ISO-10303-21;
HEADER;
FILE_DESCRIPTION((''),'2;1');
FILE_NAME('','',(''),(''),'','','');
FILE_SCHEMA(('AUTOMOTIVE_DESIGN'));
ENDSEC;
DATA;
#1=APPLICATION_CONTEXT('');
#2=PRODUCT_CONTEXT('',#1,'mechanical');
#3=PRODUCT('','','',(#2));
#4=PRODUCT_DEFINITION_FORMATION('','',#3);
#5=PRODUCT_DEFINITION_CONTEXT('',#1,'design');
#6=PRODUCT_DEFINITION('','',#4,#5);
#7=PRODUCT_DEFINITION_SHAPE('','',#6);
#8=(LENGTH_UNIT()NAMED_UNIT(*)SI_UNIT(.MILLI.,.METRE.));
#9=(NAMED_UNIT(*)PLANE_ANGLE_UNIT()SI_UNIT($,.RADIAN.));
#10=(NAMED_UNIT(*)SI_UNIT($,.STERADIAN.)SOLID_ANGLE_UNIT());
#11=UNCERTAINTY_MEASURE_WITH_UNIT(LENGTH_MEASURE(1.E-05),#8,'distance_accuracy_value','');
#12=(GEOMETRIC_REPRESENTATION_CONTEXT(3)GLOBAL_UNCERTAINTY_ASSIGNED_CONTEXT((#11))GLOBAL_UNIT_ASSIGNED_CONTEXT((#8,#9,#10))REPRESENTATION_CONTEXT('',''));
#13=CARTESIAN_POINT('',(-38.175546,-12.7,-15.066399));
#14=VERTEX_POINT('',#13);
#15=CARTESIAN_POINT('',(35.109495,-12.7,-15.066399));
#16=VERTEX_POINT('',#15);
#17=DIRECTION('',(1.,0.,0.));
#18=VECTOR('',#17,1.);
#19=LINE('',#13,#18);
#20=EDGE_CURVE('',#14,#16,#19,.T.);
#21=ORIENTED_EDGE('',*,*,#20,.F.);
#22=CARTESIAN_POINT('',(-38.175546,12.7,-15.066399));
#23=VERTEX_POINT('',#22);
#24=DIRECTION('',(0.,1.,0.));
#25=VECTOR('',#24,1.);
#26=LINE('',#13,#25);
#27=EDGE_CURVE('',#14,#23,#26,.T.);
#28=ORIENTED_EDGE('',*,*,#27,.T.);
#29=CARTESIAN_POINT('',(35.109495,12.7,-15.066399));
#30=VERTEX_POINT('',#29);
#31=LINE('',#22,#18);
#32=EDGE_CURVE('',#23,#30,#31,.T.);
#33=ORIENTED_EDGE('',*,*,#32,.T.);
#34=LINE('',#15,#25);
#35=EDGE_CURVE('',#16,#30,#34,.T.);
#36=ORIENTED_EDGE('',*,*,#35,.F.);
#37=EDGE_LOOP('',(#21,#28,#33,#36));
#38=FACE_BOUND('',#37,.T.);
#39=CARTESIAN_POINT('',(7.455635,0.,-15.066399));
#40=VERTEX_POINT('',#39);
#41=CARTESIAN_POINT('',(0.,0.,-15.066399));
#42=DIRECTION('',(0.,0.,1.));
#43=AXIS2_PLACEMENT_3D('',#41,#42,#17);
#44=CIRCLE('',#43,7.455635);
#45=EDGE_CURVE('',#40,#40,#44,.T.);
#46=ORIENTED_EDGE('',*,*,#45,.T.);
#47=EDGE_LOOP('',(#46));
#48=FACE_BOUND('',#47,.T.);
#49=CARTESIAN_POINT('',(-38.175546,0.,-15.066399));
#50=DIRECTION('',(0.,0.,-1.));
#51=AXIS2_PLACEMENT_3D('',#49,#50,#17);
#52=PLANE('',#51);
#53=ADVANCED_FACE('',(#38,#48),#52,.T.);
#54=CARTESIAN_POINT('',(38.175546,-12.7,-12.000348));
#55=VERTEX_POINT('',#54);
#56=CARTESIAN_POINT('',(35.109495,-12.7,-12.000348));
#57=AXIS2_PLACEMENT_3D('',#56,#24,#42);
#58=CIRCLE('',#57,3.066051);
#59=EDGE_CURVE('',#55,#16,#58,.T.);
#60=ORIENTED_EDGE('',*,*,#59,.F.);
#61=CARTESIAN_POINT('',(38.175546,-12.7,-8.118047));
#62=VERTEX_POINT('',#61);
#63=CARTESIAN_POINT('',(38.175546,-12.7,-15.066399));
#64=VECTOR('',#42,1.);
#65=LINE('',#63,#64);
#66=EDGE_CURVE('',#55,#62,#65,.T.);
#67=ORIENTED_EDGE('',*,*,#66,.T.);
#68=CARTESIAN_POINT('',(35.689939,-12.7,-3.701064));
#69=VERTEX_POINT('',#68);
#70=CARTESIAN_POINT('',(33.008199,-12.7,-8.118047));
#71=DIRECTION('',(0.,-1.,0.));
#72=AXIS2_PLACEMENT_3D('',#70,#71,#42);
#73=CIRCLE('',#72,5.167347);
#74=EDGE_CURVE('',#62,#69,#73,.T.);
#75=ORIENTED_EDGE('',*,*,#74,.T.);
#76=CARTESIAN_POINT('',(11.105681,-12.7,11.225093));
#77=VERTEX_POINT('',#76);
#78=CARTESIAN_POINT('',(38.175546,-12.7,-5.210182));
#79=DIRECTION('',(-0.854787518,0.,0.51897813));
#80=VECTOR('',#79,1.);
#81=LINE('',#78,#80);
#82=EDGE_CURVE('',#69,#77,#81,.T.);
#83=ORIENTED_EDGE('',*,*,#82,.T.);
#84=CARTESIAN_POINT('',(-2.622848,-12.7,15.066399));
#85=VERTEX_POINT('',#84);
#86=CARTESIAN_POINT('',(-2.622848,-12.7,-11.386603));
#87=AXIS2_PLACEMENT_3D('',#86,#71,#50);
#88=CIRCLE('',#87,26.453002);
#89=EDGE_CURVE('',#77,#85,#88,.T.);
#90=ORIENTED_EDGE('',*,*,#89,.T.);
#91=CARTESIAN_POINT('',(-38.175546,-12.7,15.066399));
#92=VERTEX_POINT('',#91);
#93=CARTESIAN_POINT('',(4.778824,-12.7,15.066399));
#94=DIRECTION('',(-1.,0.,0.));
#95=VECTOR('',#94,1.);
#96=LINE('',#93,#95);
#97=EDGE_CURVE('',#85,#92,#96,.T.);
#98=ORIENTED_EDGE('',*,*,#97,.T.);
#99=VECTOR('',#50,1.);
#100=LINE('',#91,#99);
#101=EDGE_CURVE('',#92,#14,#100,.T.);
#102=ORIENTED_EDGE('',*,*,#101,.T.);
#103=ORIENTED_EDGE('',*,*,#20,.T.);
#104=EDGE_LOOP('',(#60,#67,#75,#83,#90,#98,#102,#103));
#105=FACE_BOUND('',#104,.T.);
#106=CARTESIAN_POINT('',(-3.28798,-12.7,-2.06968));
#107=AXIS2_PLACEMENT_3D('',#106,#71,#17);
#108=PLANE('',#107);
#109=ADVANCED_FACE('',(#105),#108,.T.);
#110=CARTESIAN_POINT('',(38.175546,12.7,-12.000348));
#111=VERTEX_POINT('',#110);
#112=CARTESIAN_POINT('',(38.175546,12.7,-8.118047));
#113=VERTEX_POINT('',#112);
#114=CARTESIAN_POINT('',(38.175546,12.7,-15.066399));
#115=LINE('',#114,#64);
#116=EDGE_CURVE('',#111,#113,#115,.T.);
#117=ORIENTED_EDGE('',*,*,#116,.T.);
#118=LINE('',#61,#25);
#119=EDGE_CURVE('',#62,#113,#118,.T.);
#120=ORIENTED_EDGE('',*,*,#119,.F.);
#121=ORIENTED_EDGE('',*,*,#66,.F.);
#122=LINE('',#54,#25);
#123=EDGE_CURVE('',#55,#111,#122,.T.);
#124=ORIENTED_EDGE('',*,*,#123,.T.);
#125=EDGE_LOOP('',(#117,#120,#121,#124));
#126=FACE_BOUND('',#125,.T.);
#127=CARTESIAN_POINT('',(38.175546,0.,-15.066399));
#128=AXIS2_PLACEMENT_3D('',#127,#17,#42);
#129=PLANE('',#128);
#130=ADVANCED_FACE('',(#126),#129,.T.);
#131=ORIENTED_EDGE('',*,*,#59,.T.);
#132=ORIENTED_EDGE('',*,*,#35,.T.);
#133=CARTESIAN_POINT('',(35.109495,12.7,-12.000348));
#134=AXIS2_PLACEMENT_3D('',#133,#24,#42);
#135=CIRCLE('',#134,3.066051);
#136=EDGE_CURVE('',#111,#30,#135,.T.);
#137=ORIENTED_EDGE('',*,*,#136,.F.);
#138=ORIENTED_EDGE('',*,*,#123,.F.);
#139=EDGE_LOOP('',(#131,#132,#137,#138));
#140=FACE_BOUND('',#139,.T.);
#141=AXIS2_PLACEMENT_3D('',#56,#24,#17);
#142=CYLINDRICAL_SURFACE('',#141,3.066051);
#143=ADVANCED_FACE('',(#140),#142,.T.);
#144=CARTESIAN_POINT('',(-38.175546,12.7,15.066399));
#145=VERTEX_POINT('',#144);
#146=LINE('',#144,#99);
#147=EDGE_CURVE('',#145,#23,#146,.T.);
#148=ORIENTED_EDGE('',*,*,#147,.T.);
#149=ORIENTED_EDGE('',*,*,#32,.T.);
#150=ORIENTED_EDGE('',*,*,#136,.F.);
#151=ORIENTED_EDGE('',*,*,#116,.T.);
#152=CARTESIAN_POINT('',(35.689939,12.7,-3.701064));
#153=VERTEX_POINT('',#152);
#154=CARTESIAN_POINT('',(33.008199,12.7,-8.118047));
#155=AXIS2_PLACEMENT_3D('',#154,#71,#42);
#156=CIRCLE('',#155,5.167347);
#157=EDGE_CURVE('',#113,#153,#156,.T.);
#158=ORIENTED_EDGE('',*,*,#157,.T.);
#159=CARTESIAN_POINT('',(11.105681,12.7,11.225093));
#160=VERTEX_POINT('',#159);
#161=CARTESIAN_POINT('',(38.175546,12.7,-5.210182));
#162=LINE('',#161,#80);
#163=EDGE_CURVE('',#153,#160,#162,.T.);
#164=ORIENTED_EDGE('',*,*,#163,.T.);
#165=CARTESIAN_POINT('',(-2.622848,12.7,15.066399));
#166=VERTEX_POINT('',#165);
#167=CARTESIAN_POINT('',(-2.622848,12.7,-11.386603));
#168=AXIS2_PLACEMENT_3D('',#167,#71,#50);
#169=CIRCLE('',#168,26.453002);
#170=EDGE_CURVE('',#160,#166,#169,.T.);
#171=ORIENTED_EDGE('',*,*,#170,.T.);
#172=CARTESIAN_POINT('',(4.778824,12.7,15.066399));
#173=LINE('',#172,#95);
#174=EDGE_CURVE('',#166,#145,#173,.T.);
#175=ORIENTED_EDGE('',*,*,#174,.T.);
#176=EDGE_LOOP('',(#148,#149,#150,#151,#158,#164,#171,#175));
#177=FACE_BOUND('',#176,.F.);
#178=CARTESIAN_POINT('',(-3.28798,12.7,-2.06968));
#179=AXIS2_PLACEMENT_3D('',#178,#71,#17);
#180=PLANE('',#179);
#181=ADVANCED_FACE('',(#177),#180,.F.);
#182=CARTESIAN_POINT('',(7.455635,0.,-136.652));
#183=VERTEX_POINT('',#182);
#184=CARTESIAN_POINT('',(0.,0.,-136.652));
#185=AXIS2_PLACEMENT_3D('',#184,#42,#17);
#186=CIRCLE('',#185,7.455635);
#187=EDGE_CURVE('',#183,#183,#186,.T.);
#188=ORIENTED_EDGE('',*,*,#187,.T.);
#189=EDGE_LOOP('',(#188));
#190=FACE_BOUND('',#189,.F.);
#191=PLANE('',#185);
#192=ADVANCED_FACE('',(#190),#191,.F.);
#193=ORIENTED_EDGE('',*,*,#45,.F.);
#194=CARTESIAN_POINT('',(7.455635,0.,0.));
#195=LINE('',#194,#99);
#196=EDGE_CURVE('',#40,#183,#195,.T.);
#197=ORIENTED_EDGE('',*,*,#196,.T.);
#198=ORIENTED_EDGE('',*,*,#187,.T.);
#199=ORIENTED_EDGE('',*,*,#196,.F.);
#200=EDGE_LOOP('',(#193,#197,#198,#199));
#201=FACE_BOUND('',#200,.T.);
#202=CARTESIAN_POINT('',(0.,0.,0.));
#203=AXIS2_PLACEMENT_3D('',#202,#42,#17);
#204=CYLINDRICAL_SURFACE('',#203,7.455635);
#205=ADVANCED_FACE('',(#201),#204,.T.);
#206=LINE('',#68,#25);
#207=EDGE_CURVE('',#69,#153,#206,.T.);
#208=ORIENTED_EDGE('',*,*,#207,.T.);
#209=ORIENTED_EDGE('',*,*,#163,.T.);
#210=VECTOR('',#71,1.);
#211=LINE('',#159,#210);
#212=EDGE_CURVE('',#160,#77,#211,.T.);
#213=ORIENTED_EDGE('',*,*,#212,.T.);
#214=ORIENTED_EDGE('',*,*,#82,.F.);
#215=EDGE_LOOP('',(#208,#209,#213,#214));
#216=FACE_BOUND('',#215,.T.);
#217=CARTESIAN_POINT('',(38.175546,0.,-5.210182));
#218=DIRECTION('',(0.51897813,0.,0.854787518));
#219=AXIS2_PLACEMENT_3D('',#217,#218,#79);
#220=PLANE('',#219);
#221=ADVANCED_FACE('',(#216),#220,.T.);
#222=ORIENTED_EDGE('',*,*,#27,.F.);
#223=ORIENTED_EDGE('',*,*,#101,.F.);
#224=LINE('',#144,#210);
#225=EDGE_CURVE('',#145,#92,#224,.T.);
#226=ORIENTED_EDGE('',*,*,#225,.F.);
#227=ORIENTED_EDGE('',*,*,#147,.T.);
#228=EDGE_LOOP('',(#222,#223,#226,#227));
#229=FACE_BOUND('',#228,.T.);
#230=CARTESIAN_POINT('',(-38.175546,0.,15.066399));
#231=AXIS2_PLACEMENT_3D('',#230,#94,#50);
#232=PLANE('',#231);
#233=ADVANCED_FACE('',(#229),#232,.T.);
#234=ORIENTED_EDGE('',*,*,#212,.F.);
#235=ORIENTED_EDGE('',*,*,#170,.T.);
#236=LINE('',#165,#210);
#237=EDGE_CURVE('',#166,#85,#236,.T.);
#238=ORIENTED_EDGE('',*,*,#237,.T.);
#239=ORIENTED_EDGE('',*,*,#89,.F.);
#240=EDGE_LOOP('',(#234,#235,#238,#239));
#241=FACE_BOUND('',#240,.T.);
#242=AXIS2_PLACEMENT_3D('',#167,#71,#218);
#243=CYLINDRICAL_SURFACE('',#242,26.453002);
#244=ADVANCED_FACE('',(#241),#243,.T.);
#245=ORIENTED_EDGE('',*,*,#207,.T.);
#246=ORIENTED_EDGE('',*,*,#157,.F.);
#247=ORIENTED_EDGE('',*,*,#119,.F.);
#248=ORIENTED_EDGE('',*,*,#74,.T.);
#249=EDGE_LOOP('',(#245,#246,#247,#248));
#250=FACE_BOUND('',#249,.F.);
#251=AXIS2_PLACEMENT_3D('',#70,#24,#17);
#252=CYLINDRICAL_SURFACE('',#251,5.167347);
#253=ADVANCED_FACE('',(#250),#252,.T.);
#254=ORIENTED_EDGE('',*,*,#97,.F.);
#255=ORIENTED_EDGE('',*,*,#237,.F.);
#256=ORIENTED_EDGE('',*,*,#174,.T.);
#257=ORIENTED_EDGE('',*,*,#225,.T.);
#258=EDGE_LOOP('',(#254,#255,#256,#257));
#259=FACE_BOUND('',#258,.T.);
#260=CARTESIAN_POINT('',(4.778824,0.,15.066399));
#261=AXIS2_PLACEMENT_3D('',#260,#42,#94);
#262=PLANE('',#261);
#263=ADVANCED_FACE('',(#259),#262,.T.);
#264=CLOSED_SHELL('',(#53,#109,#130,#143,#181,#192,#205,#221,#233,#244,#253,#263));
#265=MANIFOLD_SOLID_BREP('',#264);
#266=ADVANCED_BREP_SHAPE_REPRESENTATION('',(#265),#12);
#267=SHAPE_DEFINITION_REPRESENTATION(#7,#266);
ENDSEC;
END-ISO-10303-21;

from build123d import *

# Parameters (mm, degrees)
F1_DEPTH = 12.7
F2_R     = 7.455635
F3_DEPTH = 136.652
F4_R     = 5.167347
F5_R     = 3.066051
F6_R     = 26.453002


with BuildPart() as f1:
    # F0 (on Front) → F1 (new body, symmetric)
    with BuildSketch(Plane.XZ):
        Polygon((38.175546, -5.210182), (4.778824, 15.066399), (-38.175546, 15.066399), (-38.175546, -15.066399), (38.175546, -15.066399), align=None)
    extrude(amount=F1_DEPTH, both=True)

    # F2 (on Top) → F3 (join)
    with BuildSketch(Plane.XY):
        Circle(F2_R)
    extrude(amount=-F3_DEPTH)

    # F4
    f4_edges = [f1.edges().sort_by_distance(p)[0] for p in [
        (38.175546, 0, -5.210182),
    ]]
    fillet(f4_edges, radius=F4_R)

    # F5
    f5_edges = [f1.edges().sort_by_distance(p)[0] for p in [
        (38.175546, 0, -15.066399),
    ]]
    fillet(f5_edges, radius=F5_R)

    # F6
    f6_edges = [f1.edges().sort_by_distance(p)[0] for p in [
        (4.778824, 0, 15.066399),
    ]]
    fillet(f6_edges, radius=F6_R)


solid = f1.part
